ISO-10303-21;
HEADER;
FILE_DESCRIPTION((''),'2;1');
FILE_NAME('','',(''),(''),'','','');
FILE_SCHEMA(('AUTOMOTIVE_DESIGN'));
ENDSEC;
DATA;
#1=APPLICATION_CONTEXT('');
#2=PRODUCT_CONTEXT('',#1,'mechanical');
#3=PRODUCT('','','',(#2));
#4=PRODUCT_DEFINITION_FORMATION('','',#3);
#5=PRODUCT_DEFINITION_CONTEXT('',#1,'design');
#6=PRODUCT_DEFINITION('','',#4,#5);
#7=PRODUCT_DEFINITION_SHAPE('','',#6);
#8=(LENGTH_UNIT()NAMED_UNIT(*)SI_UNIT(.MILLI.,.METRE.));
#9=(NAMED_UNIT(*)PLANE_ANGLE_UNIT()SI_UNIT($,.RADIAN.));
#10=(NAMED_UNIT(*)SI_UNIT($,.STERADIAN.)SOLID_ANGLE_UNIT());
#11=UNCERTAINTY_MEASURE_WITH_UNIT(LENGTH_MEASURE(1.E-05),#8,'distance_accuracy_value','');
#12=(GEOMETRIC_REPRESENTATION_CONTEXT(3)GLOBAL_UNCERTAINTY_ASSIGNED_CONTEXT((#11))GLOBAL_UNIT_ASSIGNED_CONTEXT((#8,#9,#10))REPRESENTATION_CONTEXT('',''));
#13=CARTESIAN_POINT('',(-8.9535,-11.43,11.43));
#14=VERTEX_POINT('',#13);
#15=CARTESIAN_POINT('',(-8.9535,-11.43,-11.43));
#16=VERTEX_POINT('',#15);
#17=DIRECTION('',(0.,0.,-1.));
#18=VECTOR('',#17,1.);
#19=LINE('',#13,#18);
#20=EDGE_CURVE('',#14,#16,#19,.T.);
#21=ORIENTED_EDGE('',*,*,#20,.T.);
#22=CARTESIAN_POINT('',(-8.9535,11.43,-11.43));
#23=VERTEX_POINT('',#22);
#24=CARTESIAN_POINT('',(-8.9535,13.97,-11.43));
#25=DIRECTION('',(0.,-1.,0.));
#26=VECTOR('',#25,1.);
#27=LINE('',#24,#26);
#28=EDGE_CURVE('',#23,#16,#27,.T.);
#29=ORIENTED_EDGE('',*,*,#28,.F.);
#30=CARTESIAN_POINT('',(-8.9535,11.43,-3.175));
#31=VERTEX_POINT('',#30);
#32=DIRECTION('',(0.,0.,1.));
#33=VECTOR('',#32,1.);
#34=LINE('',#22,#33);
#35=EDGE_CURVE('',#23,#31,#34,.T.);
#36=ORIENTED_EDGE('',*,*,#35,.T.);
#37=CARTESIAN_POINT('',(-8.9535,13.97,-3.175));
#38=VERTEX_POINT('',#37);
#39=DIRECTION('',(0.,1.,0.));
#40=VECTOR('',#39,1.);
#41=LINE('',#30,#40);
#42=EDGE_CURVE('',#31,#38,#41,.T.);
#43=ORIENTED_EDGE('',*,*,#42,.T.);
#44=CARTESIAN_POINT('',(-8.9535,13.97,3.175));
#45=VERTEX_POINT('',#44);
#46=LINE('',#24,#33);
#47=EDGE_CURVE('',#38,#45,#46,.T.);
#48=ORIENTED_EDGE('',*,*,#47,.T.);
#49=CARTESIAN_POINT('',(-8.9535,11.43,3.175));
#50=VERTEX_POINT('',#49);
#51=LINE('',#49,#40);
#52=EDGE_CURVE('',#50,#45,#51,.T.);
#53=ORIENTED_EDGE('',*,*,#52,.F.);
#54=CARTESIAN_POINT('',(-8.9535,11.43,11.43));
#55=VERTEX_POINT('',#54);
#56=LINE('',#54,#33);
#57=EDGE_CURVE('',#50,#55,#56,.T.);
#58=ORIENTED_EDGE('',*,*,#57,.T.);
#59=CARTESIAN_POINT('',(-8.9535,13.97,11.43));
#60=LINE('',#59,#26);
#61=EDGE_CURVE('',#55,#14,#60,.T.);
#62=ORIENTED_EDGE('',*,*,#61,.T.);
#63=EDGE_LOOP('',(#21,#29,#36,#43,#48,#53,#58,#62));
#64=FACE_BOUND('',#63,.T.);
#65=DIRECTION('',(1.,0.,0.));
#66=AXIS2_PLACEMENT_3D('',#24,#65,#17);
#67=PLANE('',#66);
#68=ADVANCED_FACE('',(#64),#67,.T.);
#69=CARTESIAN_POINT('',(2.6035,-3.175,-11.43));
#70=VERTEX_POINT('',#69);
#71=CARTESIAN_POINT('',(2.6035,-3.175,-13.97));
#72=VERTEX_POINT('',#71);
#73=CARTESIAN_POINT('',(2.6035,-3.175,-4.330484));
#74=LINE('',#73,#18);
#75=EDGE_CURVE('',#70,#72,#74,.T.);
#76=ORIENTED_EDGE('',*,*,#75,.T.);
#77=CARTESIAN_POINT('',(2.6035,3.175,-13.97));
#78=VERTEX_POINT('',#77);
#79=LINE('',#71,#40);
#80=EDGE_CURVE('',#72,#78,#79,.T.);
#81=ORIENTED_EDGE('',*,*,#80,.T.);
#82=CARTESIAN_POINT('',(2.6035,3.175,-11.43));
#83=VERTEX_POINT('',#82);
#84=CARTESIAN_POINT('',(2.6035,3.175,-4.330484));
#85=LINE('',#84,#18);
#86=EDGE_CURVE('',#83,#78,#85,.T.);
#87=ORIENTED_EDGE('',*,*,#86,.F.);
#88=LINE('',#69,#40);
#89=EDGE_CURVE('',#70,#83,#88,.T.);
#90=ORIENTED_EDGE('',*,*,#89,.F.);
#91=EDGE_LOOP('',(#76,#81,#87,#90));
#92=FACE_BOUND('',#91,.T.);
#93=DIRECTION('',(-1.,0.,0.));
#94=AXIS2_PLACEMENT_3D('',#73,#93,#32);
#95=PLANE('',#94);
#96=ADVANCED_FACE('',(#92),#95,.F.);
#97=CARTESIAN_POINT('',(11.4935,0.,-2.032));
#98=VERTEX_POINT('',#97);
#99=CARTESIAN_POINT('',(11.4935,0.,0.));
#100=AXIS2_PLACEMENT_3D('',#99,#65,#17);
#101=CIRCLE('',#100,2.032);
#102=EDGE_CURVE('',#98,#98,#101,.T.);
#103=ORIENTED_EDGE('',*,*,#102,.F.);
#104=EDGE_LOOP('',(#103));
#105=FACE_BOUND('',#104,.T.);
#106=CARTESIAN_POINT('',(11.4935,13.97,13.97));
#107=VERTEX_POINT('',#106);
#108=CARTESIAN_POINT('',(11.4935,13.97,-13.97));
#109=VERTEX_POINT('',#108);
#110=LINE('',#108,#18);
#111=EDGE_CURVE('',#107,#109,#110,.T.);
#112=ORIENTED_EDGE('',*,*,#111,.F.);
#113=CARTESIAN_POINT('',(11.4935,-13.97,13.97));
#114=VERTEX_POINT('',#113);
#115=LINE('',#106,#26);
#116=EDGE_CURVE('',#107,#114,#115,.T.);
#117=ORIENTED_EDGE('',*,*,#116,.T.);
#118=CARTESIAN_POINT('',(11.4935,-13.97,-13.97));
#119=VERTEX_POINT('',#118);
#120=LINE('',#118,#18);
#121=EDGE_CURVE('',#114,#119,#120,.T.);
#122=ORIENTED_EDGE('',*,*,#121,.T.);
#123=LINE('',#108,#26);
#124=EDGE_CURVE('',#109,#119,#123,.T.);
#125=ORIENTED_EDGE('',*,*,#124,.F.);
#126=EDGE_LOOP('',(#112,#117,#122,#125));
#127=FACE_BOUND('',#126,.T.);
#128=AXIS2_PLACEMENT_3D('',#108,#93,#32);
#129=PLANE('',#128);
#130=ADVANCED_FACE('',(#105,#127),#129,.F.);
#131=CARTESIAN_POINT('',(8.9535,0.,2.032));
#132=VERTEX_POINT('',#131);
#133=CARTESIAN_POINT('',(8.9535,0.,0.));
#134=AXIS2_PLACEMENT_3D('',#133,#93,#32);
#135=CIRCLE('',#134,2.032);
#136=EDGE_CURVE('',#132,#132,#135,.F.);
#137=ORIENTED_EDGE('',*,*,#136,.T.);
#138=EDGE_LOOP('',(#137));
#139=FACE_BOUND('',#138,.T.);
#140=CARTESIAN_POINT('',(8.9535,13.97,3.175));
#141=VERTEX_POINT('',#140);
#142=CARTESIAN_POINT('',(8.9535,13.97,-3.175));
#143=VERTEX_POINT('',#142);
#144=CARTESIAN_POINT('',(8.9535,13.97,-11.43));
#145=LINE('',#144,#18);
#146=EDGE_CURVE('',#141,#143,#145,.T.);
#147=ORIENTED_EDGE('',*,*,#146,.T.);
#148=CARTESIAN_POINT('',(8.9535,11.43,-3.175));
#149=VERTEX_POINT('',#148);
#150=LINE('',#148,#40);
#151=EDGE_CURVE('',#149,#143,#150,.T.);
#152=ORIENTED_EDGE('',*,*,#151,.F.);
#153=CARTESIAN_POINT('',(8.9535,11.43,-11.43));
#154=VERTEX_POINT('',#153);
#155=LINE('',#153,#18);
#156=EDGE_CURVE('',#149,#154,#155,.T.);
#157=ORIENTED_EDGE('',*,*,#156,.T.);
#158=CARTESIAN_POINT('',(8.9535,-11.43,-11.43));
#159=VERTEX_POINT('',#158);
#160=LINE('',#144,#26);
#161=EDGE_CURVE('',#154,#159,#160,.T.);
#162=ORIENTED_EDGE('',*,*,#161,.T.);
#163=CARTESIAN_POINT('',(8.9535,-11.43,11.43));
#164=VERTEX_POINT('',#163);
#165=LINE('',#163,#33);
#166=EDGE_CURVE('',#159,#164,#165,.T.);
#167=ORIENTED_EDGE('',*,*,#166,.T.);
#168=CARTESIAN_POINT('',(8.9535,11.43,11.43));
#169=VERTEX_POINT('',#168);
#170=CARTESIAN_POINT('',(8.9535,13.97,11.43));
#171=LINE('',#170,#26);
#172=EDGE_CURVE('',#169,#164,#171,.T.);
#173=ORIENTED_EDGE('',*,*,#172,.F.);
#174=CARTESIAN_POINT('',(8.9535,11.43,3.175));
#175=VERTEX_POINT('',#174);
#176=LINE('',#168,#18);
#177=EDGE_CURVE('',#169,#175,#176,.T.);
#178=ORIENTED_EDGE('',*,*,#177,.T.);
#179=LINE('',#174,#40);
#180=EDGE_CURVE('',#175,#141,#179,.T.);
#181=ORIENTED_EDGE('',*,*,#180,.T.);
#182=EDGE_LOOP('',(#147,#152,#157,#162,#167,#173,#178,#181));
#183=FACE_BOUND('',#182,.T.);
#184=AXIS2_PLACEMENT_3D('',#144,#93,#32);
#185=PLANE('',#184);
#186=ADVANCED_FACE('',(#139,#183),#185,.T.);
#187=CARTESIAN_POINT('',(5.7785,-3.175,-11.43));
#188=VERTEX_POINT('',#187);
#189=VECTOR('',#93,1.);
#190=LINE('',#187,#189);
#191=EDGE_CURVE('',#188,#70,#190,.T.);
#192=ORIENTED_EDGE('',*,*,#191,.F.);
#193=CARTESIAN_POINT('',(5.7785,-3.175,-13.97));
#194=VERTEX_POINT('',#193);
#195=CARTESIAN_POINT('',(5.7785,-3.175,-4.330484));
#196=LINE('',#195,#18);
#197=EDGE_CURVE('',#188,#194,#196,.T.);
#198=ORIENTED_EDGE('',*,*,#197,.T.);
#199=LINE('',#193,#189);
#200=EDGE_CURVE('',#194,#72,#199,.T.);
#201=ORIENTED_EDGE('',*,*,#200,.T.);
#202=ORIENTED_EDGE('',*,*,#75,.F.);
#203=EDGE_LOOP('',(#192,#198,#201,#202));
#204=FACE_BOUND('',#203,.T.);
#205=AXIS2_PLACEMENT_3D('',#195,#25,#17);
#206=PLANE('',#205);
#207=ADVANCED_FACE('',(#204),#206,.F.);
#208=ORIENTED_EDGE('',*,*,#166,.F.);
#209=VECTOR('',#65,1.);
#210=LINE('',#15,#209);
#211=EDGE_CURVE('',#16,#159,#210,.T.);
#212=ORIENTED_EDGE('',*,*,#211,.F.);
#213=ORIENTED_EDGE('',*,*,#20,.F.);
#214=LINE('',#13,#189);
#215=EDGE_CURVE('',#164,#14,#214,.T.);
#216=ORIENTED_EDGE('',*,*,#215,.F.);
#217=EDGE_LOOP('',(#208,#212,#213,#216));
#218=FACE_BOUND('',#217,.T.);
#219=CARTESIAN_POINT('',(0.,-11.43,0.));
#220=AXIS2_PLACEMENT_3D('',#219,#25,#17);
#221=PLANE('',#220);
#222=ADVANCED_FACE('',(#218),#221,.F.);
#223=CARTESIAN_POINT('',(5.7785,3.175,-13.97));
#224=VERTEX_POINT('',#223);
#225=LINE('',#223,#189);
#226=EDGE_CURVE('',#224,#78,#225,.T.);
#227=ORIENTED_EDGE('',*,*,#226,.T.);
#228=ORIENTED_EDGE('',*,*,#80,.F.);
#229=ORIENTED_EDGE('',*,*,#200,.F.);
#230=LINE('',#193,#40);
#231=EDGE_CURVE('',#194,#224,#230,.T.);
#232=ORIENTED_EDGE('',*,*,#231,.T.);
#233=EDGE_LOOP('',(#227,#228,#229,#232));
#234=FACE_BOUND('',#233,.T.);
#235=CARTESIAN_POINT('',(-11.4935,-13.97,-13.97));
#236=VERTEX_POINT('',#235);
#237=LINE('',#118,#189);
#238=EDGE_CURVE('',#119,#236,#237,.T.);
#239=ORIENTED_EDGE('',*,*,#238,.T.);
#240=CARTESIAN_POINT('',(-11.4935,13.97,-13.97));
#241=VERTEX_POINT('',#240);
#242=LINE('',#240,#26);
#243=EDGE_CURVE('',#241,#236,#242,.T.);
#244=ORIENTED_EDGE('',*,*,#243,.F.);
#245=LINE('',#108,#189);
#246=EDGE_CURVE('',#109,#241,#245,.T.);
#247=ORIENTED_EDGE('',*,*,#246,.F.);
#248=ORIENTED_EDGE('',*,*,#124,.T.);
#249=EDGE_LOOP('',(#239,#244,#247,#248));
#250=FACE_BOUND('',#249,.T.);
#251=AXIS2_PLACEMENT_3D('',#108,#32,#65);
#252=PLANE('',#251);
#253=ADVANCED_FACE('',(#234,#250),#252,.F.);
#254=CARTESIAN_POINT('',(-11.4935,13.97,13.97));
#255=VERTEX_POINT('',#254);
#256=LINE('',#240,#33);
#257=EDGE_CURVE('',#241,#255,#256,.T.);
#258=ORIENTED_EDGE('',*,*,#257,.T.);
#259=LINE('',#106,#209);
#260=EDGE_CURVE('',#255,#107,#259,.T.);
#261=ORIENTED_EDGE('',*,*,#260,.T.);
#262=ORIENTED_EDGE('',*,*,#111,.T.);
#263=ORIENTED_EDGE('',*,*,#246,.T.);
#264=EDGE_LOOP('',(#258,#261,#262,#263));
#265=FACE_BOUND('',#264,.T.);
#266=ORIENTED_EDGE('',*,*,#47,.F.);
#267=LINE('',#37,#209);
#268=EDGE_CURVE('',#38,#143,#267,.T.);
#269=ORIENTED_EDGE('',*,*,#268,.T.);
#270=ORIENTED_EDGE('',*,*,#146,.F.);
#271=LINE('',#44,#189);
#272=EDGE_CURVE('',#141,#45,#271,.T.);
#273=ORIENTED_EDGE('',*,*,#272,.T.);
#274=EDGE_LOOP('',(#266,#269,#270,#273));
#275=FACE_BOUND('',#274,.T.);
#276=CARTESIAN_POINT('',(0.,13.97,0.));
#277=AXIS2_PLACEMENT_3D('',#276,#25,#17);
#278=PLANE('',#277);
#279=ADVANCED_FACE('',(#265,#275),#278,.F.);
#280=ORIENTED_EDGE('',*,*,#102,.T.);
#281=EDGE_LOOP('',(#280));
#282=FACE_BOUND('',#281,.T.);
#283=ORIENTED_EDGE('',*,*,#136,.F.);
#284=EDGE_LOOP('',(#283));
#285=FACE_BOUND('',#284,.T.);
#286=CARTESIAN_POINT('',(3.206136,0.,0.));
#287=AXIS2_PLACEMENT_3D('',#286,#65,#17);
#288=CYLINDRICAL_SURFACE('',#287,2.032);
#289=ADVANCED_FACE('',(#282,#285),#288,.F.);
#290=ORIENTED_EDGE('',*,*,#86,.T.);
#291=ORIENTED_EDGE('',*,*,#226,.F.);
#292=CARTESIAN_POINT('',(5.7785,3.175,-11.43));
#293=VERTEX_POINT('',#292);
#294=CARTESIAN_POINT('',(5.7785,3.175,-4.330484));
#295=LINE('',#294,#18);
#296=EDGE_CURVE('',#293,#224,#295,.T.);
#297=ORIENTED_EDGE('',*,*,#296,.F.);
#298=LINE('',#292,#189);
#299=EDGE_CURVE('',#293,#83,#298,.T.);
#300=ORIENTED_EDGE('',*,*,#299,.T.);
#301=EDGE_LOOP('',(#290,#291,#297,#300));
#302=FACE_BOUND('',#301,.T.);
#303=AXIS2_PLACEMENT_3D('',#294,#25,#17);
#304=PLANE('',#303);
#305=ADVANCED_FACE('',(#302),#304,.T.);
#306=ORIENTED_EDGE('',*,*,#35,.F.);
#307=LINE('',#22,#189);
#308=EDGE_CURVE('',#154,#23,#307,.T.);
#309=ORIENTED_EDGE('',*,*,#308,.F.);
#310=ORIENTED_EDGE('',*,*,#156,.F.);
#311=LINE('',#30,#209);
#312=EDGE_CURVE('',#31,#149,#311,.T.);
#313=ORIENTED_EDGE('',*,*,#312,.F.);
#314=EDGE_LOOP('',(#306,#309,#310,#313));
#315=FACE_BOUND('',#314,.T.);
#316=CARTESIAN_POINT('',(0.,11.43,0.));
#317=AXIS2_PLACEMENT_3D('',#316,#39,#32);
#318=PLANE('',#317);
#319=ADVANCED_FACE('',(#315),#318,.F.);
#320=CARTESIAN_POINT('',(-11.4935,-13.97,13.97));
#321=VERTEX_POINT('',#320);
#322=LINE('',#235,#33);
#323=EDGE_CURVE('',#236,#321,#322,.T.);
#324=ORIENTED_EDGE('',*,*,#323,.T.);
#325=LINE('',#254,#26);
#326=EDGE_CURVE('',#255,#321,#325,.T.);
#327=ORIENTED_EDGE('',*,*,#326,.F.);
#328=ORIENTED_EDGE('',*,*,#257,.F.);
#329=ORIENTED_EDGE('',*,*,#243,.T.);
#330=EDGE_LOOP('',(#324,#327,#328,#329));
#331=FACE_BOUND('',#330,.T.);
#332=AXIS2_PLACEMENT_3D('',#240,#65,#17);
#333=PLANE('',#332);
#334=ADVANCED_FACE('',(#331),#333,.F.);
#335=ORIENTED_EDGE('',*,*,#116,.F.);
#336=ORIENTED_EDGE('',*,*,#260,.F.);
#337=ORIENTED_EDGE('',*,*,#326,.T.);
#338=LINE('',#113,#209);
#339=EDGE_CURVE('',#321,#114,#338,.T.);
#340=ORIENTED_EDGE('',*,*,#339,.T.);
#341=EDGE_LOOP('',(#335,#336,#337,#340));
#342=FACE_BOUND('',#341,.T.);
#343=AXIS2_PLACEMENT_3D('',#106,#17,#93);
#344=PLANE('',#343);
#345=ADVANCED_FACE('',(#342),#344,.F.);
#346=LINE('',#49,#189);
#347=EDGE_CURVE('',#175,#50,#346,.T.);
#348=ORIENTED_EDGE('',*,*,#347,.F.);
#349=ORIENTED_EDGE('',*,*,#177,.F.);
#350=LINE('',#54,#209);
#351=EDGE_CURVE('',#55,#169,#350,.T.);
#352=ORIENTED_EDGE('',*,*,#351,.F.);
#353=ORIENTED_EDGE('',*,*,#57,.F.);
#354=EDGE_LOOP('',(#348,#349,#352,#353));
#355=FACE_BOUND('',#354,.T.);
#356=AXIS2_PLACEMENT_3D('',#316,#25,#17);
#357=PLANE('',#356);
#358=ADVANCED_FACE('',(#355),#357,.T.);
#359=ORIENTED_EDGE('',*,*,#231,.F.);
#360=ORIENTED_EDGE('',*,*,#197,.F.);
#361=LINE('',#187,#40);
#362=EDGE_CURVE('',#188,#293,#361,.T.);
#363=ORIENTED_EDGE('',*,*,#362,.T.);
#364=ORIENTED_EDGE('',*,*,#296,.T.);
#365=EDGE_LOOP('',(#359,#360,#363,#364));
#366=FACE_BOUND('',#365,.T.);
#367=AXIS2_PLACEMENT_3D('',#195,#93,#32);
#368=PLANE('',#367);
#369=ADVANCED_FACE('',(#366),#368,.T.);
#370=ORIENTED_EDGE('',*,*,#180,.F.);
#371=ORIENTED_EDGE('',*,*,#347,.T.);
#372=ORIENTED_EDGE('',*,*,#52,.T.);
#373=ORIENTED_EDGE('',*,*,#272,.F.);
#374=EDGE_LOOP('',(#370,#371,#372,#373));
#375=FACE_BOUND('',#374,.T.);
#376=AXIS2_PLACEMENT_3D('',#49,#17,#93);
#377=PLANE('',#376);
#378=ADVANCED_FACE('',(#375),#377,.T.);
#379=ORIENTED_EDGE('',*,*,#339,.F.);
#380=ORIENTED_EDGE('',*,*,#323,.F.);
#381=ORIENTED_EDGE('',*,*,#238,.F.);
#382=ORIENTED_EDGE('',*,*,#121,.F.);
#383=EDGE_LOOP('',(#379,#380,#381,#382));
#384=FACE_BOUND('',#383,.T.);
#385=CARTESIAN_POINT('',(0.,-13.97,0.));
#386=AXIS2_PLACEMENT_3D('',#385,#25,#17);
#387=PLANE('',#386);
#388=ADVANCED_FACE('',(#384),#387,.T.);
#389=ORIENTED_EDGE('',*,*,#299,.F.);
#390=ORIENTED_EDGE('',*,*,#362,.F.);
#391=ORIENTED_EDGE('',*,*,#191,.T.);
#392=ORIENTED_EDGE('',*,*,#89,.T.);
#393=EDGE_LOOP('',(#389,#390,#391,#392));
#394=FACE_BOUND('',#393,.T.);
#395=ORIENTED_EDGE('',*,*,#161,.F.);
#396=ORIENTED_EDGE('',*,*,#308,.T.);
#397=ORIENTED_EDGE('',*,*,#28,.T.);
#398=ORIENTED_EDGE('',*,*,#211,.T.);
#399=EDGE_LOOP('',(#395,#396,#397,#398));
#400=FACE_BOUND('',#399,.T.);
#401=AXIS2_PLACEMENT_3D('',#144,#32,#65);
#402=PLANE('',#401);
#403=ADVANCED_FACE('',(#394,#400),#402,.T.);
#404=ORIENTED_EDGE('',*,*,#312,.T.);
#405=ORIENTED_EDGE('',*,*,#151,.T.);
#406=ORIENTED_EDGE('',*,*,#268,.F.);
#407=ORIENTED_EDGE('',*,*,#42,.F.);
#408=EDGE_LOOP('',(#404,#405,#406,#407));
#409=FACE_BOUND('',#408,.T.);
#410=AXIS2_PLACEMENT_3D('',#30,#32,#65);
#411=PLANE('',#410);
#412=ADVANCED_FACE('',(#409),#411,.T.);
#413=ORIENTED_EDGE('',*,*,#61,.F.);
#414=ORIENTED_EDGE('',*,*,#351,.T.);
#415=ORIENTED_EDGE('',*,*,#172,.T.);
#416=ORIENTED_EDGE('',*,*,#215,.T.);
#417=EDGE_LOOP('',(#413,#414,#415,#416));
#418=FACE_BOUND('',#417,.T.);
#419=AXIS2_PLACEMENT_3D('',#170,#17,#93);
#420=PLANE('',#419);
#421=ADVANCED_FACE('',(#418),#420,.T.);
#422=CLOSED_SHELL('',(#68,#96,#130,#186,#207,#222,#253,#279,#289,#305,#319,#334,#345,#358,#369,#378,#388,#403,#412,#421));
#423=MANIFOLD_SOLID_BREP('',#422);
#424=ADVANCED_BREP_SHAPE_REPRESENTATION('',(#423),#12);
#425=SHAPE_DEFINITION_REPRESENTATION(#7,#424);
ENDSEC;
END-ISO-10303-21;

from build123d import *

# Parameters (mm, degrees)
SKETCH2_W           = 22.987
SKETCH2_H           = 27.94
SKETCH2_W_2         = 17.907
SKETCH2_H_2         = 22.86
BOSS_EXTRUDE1_DEPTH = 13.97
SKETCH3_W           = 17.907
SKETCH3_H           = 22.86
BOSS_EXTRUDE2_DEPTH = 2.54
SKETCH4_W           = 17.907
SKETCH4_H           = 8.255
BOSS_EXTRUDE3_DEPTH = 2.54
SKETCH6_R           = 2.032
CUT_EXTRUDE2_DEPTH  = 2.54
SKETCH7_W           = 3.175
SKETCH7_H           = 6.35
CUT_EXTRUDE3_DEPTH  = 2.54


with BuildPart() as part:
    # Sketch2 → Boss-Extrude1 (new, symmetric)
    with BuildSketch(Plane(origin=(0, 0, 0), x_dir=(1, 0, 0), z_dir=(0, 1, 0))):
        Rectangle(SKETCH2_W, SKETCH2_H)
        Rectangle(SKETCH2_W_2, SKETCH2_H_2, mode=Mode.SUBTRACT)
    extrude(amount=BOSS_EXTRUDE1_DEPTH, both=True)

    # Sketch3 → Boss-Extrude2 (add)
    with BuildSketch(Plane.XZ.offset(13.97)):
        Rectangle(SKETCH3_W, SKETCH3_H)
    extrude(amount=-BOSS_EXTRUDE2_DEPTH)

    # Sketch4 → Boss-Extrude3 (add)
    with BuildSketch(Plane(origin=(0, 13.97, 0), x_dir=(1, 0, 0), z_dir=(0, 1, 0))):
        with Locations((0, 7.3025)):
            Rectangle(SKETCH4_W, SKETCH4_H)
        with Locations((0, -7.3025)):
            Rectangle(SKETCH4_W, SKETCH4_H)
    extrude(amount=-BOSS_EXTRUDE3_DEPTH)

    # Sketch6 → Cut-Extrude2 (cut)
    with BuildSketch(Plane(origin=(11.4935, 0, 0), x_dir=(0, 0, -1), z_dir=(1, 0, 0))):
        Circle(SKETCH6_R)
    extrude(amount=-CUT_EXTRUDE2_DEPTH, mode=Mode.SUBTRACT)

    # Sketch7 → Cut-Extrude3 (cut)
    with BuildSketch(Plane(origin=(0, 0, -13.97), x_dir=(-1, 0, 0), z_dir=(0, 0, -1))):
        with Locations((-4.191, 0)):
            Rectangle(SKETCH7_W, SKETCH7_H)
    extrude(amount=-CUT_EXTRUDE3_DEPTH, mode=Mode.SUBTRACT)


solid = part.part
